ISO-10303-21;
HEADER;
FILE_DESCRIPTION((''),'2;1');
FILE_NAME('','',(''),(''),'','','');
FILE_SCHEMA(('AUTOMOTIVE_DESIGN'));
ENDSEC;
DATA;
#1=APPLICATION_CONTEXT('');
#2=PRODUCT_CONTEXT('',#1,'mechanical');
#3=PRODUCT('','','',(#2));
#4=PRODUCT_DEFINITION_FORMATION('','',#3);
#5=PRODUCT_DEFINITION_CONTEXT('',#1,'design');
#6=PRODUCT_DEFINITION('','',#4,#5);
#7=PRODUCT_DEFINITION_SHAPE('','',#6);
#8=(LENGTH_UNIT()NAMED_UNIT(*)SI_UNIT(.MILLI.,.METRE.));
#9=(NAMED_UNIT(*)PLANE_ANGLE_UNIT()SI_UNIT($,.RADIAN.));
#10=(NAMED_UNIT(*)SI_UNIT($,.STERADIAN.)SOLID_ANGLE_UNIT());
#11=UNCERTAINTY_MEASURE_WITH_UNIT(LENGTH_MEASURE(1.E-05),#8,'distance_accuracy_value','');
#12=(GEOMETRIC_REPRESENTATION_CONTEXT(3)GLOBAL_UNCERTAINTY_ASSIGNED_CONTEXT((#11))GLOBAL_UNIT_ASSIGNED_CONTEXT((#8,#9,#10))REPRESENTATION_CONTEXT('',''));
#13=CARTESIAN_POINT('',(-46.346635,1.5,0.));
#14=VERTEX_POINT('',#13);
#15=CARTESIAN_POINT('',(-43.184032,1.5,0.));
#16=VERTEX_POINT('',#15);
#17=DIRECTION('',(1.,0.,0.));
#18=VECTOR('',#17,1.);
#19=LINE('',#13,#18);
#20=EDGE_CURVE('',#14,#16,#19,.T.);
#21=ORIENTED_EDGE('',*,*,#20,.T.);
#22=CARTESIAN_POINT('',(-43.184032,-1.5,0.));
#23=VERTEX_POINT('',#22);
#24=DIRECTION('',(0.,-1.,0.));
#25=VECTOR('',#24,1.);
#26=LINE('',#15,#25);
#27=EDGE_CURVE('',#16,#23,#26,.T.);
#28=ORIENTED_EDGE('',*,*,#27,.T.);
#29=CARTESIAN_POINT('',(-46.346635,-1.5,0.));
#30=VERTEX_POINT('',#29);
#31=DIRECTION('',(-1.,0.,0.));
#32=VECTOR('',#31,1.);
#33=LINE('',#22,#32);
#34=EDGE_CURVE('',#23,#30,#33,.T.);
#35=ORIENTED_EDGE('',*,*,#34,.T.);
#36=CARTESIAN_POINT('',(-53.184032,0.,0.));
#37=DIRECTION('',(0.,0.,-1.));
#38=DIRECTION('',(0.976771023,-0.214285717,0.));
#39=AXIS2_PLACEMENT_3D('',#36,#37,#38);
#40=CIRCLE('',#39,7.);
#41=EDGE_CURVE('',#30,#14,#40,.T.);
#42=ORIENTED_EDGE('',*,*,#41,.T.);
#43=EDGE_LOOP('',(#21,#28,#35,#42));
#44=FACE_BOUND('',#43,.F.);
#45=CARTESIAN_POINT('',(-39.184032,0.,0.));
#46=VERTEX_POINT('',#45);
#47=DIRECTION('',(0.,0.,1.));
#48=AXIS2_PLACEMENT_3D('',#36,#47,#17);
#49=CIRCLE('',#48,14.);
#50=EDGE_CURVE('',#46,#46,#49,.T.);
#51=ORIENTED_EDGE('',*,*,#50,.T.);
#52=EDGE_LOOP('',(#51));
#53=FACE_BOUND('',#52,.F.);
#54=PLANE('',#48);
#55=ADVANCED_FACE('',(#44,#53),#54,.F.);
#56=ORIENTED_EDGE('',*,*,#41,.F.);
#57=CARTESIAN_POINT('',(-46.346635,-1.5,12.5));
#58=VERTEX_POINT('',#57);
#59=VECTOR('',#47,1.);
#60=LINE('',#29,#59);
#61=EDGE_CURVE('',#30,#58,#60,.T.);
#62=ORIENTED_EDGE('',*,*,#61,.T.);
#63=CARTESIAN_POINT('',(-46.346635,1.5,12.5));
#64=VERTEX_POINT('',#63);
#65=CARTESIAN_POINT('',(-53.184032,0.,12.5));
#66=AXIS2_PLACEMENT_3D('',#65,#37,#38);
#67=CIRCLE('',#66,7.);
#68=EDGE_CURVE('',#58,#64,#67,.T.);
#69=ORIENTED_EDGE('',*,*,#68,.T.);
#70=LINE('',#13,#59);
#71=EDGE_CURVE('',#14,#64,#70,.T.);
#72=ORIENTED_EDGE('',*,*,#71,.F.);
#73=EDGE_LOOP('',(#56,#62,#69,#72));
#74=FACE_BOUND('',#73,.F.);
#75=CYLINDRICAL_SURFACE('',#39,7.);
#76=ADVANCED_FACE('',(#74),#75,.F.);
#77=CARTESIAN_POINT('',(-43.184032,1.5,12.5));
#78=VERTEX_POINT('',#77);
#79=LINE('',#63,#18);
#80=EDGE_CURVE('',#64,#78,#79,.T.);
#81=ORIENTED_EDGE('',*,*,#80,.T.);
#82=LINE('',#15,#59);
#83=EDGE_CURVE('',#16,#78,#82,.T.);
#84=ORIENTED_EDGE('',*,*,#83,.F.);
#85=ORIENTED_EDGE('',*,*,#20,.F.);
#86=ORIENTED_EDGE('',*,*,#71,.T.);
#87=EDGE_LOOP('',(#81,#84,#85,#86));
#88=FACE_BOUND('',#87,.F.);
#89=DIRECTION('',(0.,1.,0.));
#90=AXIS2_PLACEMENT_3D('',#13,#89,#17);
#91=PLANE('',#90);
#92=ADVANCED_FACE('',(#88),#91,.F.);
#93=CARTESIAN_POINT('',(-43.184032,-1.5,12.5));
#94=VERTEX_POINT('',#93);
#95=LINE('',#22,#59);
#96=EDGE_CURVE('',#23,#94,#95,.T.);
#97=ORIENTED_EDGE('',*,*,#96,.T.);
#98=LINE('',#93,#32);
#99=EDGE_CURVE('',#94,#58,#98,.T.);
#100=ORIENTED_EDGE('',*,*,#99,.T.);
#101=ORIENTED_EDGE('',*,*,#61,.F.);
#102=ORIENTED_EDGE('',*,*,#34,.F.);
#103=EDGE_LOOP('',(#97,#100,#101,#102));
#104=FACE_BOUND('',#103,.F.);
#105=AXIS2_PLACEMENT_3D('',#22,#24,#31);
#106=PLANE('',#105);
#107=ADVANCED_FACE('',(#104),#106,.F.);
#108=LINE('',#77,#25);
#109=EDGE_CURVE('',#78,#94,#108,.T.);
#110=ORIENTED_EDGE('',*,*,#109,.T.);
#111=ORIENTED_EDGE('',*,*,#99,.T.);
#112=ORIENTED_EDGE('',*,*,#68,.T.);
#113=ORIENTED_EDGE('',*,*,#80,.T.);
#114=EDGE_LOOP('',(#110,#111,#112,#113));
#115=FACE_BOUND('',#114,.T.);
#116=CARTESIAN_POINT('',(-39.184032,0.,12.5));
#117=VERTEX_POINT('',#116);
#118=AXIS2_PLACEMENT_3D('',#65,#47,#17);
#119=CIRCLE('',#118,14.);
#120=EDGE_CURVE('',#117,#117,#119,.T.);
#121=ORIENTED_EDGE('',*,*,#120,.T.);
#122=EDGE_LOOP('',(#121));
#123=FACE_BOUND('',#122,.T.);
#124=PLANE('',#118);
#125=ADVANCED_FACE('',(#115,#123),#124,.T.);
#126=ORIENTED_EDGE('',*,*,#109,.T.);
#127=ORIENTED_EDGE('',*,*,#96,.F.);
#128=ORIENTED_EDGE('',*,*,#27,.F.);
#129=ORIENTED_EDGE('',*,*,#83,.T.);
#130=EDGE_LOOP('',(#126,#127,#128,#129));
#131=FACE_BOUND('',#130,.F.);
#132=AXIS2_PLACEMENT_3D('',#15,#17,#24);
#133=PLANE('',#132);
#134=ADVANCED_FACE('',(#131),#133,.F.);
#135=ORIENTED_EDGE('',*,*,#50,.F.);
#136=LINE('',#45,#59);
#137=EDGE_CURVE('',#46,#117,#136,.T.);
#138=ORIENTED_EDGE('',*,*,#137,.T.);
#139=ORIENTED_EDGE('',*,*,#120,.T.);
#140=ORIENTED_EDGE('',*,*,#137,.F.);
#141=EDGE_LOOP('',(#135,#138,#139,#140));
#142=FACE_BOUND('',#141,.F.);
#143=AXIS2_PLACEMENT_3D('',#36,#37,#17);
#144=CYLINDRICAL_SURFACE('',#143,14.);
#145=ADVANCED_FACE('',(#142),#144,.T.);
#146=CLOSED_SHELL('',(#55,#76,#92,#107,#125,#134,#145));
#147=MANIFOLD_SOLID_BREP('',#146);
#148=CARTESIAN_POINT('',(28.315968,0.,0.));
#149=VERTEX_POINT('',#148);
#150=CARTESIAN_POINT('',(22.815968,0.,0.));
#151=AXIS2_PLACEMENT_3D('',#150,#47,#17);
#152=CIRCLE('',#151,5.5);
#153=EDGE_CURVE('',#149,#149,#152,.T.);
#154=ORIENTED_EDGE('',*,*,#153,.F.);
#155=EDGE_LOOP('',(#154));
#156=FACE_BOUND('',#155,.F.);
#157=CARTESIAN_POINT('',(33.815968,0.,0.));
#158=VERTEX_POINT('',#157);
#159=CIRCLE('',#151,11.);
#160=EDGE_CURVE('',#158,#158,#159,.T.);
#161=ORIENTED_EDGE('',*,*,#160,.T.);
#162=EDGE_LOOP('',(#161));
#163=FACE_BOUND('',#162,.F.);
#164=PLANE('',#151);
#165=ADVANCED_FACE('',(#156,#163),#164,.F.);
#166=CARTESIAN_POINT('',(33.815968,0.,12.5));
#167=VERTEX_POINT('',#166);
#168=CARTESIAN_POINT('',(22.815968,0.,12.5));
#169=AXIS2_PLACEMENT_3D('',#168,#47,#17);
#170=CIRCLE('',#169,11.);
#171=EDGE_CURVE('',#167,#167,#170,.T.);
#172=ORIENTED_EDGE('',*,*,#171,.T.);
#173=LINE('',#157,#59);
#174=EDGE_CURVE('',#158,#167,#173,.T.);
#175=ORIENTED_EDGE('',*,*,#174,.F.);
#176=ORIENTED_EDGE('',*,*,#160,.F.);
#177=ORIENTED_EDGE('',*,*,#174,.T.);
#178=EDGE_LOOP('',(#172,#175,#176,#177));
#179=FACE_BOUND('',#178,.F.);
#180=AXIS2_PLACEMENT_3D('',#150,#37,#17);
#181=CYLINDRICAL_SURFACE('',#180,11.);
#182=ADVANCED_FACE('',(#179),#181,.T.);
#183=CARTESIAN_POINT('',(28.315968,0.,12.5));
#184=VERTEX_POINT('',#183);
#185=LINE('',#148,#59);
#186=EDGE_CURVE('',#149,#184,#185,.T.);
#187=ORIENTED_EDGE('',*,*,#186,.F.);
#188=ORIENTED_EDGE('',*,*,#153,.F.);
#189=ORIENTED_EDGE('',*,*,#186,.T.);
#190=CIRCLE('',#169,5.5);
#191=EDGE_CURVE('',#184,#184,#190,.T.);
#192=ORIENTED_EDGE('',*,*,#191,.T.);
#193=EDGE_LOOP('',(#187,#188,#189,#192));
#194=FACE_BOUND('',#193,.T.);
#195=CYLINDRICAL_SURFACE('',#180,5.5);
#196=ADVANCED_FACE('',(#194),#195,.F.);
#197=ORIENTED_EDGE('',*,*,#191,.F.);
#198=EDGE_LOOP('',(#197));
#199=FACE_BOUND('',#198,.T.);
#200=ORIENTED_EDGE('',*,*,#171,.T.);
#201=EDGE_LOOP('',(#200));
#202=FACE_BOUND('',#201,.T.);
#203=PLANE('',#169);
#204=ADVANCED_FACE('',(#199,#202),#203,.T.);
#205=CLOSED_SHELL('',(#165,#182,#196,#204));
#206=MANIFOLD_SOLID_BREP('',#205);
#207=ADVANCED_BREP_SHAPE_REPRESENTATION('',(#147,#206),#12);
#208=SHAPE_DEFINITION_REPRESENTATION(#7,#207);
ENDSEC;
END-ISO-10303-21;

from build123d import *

# Parameters (mm, degrees)
F0_R     = 14
F0_R_2   = 11
F0_R_3   = 5.5
F1_DEPTH = 12.5


with BuildPart() as f1:
    # F0 (on Top) → F1 (new body)
    with BuildSketch(Plane.XY):
        with Locations((-53.184032, 0)):
            Circle(F0_R)
        with BuildLine():
            ThreePointArc((-46.346635, -1.5), (-60.184032, 0), (-46.346635, 1.5))
            Line((-46.346635, 1.5), (-43.184032, 1.5))
            Line((-43.184032, 1.5), (-43.184032, -1.5))
            Line((-43.184032, -1.5), (-46.346635, -1.5))
        make_face(mode=Mode.SUBTRACT)
        with Locations((22.815968, 0)):
            Circle(F0_R_2)
        with Locations((22.815968, 0)):
            Circle(F0_R_3, mode=Mode.SUBTRACT)
    extrude(amount=F1_DEPTH)


solid = f1.part
